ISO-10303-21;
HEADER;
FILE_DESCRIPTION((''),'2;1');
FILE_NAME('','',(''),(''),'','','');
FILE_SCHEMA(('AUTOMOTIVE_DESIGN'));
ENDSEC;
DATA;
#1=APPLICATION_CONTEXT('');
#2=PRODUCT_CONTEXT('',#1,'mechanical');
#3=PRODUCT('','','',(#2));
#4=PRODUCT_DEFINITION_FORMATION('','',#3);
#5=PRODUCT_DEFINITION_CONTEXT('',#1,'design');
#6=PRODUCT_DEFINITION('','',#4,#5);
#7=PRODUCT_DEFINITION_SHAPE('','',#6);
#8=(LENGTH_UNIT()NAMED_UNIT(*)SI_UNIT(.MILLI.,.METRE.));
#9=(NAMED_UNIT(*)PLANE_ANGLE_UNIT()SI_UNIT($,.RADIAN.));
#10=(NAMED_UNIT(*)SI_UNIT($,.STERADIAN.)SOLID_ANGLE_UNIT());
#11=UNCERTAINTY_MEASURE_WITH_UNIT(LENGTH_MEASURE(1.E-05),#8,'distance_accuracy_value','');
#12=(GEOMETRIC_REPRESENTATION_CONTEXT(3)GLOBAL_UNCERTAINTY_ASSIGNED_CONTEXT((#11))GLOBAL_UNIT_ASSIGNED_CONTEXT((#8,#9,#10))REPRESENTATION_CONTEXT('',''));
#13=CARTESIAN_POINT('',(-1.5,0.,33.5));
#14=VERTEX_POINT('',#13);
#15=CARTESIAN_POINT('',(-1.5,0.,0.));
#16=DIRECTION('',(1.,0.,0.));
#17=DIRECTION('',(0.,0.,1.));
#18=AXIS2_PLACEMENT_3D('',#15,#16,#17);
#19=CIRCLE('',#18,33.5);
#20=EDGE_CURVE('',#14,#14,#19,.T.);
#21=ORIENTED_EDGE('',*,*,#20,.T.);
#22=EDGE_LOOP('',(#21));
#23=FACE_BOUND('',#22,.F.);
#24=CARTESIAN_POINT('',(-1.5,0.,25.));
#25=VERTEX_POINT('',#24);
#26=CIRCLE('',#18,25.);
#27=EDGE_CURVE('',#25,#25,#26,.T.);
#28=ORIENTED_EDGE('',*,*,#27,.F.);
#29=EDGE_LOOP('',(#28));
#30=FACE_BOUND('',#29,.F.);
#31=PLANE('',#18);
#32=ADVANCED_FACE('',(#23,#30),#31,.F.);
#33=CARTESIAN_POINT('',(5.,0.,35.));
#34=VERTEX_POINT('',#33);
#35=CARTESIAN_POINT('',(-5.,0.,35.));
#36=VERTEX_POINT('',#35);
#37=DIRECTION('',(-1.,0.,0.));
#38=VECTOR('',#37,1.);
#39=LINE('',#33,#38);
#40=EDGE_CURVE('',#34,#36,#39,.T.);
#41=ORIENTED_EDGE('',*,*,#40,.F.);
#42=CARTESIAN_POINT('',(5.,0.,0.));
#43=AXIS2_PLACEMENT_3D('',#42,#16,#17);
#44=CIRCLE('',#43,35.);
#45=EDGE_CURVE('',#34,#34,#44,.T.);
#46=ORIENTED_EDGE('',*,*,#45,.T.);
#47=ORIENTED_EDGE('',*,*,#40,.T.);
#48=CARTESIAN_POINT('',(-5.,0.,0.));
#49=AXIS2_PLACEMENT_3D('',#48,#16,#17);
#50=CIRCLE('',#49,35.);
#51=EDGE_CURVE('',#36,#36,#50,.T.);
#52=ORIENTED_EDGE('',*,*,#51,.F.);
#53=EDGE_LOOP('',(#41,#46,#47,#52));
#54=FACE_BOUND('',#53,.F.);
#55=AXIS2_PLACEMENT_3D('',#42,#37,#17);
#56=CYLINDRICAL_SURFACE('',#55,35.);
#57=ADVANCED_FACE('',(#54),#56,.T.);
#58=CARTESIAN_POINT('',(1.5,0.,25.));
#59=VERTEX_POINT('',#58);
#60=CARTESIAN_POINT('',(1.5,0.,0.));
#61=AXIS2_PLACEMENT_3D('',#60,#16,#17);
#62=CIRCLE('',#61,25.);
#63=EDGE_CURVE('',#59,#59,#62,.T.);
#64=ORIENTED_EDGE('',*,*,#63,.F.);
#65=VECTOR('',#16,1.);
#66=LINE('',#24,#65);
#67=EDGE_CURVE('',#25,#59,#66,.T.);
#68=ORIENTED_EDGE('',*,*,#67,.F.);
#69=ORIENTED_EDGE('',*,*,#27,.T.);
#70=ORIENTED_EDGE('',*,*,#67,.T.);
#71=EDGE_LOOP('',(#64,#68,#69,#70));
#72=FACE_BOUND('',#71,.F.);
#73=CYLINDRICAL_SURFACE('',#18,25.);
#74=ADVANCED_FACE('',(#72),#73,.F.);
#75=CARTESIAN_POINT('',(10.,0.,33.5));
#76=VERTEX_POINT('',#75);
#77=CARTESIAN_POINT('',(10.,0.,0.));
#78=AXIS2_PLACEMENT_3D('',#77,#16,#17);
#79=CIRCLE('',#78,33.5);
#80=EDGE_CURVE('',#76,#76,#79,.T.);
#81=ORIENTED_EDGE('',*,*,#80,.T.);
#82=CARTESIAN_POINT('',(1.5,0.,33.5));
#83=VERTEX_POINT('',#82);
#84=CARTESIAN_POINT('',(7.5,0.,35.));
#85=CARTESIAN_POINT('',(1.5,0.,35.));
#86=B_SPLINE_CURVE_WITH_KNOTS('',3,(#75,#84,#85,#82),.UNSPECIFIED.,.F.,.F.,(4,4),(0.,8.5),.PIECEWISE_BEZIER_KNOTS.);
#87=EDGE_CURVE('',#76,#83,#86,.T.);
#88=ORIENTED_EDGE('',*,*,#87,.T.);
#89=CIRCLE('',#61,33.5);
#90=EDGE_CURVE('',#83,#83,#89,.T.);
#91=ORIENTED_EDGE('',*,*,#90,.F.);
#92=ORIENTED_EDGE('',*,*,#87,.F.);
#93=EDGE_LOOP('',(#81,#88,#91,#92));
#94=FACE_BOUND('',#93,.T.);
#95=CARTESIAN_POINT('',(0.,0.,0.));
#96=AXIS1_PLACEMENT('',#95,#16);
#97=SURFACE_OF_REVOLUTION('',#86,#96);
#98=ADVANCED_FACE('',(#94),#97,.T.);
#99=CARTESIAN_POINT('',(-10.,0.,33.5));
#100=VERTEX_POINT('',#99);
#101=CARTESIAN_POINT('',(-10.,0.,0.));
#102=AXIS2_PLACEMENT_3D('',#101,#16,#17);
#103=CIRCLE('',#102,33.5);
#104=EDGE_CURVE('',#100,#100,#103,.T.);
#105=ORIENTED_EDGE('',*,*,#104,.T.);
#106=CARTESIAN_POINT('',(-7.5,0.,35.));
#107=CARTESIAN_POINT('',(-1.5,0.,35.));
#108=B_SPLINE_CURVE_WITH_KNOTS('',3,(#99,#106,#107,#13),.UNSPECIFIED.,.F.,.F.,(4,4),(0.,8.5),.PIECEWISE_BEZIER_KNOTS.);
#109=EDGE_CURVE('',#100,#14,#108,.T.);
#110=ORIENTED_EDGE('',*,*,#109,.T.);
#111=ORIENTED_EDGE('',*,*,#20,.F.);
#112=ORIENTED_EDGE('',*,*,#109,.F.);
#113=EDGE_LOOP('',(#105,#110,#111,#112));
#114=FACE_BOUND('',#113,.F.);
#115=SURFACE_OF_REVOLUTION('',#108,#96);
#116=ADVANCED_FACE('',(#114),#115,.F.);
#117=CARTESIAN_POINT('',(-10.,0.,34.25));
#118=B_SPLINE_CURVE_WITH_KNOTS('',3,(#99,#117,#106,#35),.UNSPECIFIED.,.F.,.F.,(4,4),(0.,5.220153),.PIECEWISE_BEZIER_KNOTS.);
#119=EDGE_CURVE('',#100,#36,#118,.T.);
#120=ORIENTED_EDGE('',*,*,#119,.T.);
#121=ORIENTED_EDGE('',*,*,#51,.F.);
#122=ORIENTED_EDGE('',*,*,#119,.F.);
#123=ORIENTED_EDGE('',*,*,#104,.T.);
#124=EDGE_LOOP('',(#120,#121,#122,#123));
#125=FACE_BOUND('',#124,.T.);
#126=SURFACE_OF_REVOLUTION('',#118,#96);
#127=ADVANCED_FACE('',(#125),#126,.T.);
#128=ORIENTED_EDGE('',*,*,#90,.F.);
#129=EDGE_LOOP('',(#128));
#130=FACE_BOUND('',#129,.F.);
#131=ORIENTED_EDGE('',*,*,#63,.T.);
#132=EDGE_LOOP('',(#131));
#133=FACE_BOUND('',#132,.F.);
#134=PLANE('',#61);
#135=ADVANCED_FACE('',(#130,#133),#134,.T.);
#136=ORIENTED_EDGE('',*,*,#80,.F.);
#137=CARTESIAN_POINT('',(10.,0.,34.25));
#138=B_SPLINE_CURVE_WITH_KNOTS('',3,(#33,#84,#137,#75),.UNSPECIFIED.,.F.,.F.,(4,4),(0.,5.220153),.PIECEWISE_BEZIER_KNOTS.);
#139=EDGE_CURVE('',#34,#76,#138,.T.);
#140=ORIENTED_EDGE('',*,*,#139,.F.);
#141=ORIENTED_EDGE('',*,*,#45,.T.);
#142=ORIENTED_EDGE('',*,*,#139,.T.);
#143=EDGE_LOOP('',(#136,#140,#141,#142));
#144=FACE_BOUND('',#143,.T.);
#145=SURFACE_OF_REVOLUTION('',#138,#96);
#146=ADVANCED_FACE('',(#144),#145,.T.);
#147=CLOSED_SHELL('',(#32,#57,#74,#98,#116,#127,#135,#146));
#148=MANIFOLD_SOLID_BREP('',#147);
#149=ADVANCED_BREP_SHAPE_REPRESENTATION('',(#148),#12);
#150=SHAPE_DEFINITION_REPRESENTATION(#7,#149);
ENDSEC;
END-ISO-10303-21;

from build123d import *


with BuildPart() as f1:
    # F0 (on Front) → F1 (revolve)
    with BuildSketch(Plane.XZ):
        with BuildLine():
            Line((5, 35), (-5, 35))
            add(Edge.make_bspline(
                [(-10, 33.5), (-10, 34.25), (-7.5, 35), (-5, 35)],
                knots=[0, 0, 0, 0, 5.220153, 5.220153, 5.220153, 5.220153], degree=3))
            add(Edge.make_bspline(
                [(-10, 33.5), (-7.5, 35), (-1.5, 35), (-1.5, 33.5)],
                knots=[0, 0, 0, 0, 8.5, 8.5, 8.5, 8.5], degree=3))
            Line((-1.5, 33.5), (-1.5, 25))
            Line((-1.5, 25), (0, 25))
            Line((0, 25), (1.5, 25))
            Line((1.5, 25), (1.5, 33.5))
            add(Edge.make_bspline(
                [(10, 33.5), (7.5, 35), (1.5, 35), (1.5, 33.5)],
                knots=[0, 0, 0, 0, 8.5, 8.5, 8.5, 8.5], degree=3))
            add(Edge.make_bspline(
                [(5, 35), (7.5, 35), (10, 34.25), (10, 33.5)],
                knots=[0, 0, 0, 0, 5.220153, 5.220153, 5.220153, 5.220153], degree=3))
        make_face()
    revolve(axis=Axis((0, 0, 0), (1, 0, 0)))


solid = f1.part
